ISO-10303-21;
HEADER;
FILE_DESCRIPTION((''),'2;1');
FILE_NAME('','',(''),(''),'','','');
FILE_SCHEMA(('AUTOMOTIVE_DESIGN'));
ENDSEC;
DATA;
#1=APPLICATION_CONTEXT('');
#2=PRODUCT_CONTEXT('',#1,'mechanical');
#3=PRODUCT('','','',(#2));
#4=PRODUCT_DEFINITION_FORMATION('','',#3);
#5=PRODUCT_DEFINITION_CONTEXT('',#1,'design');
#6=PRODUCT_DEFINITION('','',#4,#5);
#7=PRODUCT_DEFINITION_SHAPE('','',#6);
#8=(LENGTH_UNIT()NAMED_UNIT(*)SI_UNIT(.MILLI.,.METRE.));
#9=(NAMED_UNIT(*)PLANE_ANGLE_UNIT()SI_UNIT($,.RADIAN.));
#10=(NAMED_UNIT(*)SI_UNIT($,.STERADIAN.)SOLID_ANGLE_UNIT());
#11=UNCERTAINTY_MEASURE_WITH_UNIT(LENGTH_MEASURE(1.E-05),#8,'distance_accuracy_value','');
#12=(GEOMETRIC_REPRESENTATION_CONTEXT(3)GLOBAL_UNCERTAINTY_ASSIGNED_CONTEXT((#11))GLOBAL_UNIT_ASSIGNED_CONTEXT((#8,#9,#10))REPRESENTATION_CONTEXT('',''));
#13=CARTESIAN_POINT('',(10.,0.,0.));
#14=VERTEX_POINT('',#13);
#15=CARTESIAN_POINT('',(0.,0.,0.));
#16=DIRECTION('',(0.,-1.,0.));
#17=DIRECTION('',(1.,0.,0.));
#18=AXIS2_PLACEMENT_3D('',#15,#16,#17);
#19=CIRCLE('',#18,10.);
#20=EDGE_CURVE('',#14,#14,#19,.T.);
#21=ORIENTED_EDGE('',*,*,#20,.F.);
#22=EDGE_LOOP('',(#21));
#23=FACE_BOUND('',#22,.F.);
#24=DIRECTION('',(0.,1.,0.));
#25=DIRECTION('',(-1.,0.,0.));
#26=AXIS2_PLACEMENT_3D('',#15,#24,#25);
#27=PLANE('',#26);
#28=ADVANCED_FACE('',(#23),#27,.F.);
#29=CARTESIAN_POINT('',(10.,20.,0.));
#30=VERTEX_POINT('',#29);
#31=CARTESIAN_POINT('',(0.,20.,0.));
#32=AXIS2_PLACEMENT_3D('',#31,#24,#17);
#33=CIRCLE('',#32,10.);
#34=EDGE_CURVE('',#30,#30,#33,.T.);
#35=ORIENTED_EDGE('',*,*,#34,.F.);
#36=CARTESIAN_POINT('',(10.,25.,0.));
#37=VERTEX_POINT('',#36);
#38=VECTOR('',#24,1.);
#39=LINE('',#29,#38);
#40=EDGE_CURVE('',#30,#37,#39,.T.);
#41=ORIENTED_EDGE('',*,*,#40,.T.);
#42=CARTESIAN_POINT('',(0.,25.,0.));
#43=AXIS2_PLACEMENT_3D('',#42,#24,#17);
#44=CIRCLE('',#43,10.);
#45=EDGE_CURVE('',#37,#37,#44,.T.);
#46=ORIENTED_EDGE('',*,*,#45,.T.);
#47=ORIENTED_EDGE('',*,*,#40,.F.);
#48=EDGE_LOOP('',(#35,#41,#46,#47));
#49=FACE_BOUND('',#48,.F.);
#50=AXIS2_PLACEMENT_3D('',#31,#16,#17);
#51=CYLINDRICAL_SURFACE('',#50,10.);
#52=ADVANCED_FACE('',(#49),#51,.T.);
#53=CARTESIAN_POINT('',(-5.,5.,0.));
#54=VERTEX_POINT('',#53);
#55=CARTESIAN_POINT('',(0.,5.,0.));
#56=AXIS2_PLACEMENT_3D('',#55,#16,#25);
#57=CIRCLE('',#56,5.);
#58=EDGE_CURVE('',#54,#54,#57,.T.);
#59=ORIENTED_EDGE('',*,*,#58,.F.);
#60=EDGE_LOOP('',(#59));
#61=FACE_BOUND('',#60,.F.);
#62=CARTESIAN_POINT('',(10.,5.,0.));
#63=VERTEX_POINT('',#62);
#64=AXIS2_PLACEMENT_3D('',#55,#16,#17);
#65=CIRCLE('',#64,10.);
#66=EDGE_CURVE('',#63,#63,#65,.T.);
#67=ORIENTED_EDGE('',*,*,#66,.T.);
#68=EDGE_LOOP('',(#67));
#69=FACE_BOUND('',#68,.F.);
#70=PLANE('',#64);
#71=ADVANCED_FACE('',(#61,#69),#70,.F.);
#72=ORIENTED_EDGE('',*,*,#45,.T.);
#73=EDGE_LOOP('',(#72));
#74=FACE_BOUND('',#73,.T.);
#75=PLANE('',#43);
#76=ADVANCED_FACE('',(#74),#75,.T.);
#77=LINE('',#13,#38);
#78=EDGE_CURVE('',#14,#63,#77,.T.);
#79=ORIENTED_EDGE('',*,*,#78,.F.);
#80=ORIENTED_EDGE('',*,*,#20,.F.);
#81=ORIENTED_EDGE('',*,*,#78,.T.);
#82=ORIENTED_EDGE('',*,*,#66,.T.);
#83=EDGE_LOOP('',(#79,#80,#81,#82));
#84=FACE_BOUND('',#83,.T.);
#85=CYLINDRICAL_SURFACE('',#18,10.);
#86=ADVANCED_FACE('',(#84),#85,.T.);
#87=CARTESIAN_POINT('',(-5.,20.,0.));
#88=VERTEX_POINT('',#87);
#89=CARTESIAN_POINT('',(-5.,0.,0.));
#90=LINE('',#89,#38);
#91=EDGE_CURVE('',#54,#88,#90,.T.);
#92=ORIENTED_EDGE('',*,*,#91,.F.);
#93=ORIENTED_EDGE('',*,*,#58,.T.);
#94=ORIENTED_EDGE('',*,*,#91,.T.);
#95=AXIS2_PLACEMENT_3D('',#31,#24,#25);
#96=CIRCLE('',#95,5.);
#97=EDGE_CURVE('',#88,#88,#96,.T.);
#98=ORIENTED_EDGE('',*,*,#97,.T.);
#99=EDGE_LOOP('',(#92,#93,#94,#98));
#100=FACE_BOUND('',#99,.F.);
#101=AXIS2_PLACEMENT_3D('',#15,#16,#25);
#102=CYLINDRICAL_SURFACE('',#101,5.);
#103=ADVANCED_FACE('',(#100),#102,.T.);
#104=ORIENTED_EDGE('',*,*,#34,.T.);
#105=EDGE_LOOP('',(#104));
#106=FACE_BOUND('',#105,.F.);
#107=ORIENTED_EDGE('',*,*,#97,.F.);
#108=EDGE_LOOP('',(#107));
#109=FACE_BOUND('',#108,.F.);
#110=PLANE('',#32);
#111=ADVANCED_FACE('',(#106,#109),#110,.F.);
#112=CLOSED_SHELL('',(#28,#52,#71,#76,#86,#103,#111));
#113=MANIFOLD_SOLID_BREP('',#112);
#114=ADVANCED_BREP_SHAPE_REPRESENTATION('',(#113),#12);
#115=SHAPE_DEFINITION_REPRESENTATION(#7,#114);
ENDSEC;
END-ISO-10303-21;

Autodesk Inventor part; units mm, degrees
ref_plane "YZ Plane" through (0, 0, 0) normal (1, 0, 0) x (0, 1, 0)
ref_plane "XZ Plane" through (0, 0, 0) normal (0, 1, 0) x (-1, 0, 0)
ref_plane "XY Plane" through (0, 0, 0) normal (0, 0, 1) x (1, 0, 0)
sketch "Szkic1" plane through (0, 0, 0) normal (0, 1, 0) x (-1, 0, 0)
  circle A0 centre (0, 0) radius 5
  dimension "d0" = 10
extrude "Wyciągnięcie proste1" add sketch "Szkic1" along normal blind 20
sketch "Szkic2" plane through (0, 0, 0) normal (0, -1, 0) x (1, 0, 0)
  circle A0 centre (0, 0) radius 10
  dimension "d3" = 20
extrude "Wyciągnięcie proste2" add sketch "Szkic2" against normal blind 5
sketch "Szkic3" plane through (0, 20, 0) normal (0, 1, 0) x (1, 0, 0)
  circle A0 centre (0, 0) radius 10
extrude "Wyciągnięcie proste3" add sketch "Szkic3" along normal blind 5
properties part number "dopodniesienia1"
